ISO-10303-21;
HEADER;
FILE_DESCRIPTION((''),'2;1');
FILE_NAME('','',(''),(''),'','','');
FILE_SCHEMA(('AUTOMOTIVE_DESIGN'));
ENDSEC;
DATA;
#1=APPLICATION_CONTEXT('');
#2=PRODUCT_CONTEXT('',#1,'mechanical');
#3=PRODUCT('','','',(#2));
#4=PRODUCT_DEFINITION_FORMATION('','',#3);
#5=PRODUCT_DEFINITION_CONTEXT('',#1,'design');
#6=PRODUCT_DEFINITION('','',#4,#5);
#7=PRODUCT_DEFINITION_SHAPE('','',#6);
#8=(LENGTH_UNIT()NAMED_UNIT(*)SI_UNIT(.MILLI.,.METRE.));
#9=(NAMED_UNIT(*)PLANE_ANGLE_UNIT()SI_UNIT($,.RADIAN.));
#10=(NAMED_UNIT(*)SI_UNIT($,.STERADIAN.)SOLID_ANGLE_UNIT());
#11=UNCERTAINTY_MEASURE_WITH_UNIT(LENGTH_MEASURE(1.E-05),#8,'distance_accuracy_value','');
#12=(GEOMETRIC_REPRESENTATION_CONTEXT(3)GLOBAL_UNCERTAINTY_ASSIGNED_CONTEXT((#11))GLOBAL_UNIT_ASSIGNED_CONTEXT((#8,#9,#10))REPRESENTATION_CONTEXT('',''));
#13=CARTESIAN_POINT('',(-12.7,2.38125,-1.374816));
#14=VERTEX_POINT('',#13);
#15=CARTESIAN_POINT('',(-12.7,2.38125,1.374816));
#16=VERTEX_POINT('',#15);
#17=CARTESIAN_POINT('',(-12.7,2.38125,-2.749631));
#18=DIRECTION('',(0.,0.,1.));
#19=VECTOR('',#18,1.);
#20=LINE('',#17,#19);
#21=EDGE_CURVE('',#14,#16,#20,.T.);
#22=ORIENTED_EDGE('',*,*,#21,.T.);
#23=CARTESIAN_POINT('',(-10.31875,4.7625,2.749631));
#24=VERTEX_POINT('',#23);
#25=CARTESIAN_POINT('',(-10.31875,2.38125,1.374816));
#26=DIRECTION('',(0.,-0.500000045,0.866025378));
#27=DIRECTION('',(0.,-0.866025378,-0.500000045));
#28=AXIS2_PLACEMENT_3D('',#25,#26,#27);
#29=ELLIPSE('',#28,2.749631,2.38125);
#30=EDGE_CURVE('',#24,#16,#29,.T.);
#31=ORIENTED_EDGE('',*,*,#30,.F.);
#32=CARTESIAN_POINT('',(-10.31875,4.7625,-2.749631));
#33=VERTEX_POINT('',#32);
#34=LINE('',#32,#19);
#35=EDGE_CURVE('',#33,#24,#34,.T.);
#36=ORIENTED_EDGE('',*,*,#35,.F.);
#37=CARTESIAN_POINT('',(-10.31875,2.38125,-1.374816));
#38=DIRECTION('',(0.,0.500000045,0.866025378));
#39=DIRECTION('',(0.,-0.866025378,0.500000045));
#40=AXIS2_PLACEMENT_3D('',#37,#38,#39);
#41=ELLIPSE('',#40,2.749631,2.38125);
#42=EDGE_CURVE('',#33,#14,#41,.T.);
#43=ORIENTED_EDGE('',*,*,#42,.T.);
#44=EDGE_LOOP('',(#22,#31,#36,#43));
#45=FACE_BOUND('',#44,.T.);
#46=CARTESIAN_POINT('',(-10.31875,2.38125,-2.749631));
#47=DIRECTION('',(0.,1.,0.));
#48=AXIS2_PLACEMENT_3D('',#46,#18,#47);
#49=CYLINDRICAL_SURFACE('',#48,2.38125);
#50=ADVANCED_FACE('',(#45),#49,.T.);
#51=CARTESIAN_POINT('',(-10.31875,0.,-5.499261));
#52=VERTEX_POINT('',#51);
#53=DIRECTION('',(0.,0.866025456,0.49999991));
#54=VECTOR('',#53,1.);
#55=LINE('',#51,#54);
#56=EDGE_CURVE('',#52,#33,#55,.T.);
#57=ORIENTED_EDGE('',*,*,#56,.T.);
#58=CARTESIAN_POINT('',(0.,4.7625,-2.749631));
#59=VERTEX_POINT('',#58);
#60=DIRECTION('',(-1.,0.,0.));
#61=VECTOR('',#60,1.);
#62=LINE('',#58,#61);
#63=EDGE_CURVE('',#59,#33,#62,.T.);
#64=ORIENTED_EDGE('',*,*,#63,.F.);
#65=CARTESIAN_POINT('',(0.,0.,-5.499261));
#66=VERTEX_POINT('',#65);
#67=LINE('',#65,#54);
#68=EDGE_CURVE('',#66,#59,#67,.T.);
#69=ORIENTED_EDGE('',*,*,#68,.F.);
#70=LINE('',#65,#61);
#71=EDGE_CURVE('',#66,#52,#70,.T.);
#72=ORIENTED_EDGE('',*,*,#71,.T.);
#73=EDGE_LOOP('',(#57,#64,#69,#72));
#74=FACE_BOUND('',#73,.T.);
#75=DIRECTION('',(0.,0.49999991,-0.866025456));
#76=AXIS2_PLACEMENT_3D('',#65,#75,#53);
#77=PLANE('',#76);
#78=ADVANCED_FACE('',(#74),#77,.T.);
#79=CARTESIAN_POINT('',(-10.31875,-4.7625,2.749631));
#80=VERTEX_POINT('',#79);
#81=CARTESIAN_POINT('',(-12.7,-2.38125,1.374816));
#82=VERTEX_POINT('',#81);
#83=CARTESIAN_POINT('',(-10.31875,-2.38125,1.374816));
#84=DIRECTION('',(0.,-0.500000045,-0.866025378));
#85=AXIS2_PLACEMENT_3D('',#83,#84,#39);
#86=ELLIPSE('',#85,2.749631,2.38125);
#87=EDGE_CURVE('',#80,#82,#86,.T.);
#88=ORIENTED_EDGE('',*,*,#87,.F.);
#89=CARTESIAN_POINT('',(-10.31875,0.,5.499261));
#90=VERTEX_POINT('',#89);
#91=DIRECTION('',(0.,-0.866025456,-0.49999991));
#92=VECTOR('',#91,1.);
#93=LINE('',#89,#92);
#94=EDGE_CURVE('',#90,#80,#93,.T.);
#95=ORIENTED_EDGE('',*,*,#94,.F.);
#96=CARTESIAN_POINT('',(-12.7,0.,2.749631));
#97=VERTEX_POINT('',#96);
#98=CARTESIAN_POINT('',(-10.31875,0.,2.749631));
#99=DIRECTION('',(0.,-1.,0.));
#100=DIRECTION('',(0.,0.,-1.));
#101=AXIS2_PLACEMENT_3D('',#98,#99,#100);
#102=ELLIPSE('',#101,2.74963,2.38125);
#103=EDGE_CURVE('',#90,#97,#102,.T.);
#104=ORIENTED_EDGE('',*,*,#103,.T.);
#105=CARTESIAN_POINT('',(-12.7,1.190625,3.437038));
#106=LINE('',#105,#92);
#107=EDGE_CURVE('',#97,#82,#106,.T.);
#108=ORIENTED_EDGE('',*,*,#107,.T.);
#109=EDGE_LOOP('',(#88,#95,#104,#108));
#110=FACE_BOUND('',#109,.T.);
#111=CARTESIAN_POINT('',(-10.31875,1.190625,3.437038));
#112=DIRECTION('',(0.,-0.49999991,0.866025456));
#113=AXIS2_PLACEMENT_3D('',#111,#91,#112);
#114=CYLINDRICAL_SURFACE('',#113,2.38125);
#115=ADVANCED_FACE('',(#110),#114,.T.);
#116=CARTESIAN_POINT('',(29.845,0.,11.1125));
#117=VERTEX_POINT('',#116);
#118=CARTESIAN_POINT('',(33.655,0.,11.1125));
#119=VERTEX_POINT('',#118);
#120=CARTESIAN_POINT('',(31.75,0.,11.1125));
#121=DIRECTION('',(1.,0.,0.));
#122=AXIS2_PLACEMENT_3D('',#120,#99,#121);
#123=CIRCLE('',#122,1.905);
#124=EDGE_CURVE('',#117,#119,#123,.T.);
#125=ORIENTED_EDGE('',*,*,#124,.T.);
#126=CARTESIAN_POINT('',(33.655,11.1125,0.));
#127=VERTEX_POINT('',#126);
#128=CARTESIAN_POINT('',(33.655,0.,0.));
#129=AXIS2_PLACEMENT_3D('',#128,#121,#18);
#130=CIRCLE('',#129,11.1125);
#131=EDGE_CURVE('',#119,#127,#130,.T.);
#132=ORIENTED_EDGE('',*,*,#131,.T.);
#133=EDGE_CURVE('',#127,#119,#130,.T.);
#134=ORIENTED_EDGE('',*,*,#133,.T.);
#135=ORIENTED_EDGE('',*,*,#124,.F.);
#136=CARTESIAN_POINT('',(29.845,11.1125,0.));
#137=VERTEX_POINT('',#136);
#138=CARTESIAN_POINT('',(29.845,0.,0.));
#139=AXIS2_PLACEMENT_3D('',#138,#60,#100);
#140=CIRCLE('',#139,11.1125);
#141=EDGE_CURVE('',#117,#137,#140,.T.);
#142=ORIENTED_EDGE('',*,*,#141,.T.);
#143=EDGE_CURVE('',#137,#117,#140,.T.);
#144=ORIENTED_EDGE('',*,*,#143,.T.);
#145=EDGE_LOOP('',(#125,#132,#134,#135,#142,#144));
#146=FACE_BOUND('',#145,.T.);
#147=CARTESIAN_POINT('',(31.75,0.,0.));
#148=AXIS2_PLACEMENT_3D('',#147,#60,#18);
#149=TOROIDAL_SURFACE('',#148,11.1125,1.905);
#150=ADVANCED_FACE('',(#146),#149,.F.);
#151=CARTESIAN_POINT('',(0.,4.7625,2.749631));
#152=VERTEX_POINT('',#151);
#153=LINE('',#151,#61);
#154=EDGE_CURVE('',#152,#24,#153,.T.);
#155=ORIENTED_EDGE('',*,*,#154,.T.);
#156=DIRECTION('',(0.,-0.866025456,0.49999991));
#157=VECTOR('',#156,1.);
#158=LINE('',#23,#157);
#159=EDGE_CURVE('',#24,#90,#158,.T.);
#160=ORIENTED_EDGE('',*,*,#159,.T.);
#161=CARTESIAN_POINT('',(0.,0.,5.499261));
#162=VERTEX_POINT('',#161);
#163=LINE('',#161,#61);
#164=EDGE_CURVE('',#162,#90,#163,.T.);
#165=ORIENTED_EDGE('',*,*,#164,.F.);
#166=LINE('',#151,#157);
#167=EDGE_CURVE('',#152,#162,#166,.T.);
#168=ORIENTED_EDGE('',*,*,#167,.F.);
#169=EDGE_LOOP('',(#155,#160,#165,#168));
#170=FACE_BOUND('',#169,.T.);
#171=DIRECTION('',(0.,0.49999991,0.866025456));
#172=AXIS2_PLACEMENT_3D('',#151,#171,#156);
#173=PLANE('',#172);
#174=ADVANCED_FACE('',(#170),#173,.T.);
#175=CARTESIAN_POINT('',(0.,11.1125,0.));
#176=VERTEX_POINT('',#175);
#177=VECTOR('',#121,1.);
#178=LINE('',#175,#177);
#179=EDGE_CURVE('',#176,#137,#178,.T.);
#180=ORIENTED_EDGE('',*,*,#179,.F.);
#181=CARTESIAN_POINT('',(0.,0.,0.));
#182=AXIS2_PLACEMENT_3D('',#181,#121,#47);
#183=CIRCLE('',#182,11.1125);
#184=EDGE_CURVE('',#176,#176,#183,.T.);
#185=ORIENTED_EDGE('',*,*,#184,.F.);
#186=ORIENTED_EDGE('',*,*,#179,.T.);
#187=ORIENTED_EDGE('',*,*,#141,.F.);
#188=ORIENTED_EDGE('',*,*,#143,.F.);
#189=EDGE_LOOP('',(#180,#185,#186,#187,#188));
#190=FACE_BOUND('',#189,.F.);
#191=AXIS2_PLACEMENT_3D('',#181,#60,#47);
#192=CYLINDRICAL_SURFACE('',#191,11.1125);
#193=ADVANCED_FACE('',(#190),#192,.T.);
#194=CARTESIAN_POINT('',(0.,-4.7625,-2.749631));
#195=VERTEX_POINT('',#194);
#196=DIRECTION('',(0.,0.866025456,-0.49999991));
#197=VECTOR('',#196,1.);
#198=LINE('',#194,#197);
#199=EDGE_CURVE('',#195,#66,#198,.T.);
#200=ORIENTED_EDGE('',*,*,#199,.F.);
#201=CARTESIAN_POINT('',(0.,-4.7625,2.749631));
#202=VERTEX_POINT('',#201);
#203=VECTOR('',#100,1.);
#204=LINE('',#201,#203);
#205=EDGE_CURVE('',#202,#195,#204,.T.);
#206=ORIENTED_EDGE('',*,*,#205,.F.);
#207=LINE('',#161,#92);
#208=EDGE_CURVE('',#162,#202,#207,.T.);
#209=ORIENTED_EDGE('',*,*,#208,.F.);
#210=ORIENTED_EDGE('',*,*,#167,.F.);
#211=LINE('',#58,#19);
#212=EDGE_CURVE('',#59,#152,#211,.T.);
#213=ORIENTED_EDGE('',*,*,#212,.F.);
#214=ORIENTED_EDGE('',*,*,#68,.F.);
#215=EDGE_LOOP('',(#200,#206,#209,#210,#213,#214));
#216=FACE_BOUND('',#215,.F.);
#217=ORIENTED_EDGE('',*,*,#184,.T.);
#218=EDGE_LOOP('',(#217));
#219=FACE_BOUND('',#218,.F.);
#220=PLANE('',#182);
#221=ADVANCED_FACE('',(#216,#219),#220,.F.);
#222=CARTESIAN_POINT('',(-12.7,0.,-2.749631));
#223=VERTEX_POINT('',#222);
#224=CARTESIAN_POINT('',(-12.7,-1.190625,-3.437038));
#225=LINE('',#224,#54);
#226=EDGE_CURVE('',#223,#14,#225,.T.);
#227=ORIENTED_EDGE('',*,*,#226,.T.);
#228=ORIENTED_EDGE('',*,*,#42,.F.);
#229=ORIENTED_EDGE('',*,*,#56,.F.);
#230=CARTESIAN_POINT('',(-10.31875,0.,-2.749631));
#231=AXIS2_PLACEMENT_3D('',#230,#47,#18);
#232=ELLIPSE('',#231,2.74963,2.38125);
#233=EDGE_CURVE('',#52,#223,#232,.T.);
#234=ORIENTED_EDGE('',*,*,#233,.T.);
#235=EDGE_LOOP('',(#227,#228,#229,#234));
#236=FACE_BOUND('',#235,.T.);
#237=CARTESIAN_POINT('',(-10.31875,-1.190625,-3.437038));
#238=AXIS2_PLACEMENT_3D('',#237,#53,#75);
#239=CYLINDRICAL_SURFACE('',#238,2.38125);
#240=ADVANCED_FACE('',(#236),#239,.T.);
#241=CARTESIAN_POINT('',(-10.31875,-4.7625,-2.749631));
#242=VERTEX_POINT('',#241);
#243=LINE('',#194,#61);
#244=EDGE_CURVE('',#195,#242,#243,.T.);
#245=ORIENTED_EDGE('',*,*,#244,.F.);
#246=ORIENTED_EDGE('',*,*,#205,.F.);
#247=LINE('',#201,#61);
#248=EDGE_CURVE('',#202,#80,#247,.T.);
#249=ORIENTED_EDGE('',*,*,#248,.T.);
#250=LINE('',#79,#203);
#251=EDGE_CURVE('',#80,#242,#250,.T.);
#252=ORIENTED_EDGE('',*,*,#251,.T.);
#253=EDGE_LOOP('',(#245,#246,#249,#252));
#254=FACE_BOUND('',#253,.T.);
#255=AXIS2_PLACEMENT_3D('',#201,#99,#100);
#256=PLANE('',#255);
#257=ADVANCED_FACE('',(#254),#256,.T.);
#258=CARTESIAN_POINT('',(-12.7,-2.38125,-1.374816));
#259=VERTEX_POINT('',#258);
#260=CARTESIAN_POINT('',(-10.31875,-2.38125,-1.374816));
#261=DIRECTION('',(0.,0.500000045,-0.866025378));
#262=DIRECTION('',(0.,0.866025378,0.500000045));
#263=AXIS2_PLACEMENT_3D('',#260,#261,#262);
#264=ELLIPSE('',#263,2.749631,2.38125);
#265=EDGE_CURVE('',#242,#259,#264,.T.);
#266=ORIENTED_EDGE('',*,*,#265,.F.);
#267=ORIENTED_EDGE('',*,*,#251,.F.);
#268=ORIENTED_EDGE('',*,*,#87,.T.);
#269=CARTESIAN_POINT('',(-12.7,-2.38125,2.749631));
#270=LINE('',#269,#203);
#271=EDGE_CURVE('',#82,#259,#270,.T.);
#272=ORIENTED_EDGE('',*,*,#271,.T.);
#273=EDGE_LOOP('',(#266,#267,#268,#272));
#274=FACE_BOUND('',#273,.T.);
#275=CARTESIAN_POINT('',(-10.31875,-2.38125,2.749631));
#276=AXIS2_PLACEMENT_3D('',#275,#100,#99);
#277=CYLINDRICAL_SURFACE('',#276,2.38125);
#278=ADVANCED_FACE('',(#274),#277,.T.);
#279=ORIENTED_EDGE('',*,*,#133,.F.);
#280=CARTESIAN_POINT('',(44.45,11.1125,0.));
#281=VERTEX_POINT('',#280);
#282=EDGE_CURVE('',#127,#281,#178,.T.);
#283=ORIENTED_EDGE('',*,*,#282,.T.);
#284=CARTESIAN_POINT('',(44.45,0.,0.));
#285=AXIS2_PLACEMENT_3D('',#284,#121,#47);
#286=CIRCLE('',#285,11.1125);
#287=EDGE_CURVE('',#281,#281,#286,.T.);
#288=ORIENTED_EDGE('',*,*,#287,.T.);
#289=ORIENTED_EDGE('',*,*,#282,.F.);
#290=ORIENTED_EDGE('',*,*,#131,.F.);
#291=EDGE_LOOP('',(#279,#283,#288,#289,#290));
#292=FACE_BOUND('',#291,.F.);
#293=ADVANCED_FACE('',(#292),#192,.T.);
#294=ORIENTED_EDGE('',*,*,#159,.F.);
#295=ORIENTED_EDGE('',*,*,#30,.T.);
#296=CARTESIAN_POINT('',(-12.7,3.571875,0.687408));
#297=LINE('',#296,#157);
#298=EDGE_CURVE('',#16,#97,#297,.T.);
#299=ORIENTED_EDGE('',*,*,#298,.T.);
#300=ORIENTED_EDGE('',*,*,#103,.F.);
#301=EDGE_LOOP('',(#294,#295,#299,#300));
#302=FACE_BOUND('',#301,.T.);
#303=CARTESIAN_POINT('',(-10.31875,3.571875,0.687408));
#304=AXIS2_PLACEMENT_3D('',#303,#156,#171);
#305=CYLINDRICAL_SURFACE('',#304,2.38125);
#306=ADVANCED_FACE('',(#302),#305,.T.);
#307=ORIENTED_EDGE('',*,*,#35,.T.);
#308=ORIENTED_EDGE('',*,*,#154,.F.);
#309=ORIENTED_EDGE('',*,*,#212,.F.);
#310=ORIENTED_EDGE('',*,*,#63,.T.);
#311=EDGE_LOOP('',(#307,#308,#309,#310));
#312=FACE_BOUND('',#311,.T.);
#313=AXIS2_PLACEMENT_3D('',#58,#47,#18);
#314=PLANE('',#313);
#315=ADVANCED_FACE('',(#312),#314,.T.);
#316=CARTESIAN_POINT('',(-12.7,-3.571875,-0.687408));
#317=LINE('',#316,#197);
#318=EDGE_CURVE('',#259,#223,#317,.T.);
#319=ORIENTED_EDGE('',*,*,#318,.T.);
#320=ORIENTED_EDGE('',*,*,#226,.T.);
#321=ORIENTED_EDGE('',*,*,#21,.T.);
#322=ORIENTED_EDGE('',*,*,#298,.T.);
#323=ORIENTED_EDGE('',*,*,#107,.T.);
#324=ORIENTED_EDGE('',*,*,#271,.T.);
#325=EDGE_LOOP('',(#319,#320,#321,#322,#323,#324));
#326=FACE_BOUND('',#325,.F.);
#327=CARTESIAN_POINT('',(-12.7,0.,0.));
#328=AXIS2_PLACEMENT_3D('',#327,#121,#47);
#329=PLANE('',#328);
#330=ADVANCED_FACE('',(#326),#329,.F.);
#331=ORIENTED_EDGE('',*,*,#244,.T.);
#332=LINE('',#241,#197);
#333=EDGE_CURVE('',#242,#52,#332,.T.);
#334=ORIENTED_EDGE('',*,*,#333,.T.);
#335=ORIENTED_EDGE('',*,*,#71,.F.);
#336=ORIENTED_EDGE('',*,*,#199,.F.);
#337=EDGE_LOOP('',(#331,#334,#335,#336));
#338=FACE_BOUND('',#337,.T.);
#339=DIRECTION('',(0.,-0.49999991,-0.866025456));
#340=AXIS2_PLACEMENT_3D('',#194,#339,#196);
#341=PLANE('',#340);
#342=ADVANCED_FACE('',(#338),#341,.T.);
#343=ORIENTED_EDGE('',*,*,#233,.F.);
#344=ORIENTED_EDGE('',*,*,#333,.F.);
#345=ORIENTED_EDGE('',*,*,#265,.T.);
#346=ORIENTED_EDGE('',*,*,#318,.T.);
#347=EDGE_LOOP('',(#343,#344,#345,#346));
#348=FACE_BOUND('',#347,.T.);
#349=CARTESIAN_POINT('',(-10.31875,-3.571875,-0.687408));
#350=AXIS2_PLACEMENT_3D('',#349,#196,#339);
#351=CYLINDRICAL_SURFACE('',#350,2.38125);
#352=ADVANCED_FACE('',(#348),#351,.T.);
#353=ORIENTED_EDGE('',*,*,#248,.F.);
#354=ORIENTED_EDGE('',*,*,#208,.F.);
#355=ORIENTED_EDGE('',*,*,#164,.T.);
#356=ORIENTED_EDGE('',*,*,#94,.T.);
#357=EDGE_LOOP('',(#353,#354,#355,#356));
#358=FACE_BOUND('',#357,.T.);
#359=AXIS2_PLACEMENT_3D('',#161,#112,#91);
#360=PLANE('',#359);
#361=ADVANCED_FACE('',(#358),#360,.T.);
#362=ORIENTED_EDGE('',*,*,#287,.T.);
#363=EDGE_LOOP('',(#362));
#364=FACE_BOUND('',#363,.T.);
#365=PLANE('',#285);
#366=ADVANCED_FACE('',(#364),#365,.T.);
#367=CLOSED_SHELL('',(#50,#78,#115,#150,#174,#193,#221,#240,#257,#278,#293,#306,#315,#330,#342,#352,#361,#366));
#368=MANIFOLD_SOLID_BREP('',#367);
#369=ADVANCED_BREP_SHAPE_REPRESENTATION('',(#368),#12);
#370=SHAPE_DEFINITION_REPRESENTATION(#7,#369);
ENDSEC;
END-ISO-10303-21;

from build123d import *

# Parameters (mm, degrees)
F0_R     = 11.1125
F1_DEPTH = 44.45
F3_DEPTH = 12.7
F4_R     = 2.38125
F6_R     = 1.905


with BuildPart() as f1:
    # F0 (on Right) → F1 (new body)
    with BuildSketch(Plane.YZ):
        Circle(F0_R)
    extrude(amount=F1_DEPTH)

    # F2 (on Right) → F3 (join)
    with BuildSketch(Plane.YZ):
        Polygon((-4.7625, 2.749631), (-4.7625, -2.749631), (0, -5.499261), (4.7625, -2.749631), (4.7625, 2.749631), (0, 5.499261), align=None)
    extrude(amount=-F3_DEPTH)

    # F4
    f4_edges = [f1.edges().sort_by_distance(p)[0] for p in [
        (-12.7, -2.38125, 4.124446),
        (-12.7, 2.38125, 4.124446),
        (-12.7, 4.7625, 0),
        (-12.7, 2.38125, -4.124446),
        (-12.7, -2.38125, -4.124446),
        (-12.7, -4.7625, 0),
    ]]
    fillet(f4_edges, radius=F4_R)

    # F6 (on Front) → F7 (revolve, cut)
    with BuildSketch(Plane.XZ):
        with Locations((31.75, 11.1125)):
            Circle(F6_R)
    revolve(axis=Axis((39.763745, 0, 0), (1, 0, 0)), mode=Mode.SUBTRACT)


solid = f1.part
